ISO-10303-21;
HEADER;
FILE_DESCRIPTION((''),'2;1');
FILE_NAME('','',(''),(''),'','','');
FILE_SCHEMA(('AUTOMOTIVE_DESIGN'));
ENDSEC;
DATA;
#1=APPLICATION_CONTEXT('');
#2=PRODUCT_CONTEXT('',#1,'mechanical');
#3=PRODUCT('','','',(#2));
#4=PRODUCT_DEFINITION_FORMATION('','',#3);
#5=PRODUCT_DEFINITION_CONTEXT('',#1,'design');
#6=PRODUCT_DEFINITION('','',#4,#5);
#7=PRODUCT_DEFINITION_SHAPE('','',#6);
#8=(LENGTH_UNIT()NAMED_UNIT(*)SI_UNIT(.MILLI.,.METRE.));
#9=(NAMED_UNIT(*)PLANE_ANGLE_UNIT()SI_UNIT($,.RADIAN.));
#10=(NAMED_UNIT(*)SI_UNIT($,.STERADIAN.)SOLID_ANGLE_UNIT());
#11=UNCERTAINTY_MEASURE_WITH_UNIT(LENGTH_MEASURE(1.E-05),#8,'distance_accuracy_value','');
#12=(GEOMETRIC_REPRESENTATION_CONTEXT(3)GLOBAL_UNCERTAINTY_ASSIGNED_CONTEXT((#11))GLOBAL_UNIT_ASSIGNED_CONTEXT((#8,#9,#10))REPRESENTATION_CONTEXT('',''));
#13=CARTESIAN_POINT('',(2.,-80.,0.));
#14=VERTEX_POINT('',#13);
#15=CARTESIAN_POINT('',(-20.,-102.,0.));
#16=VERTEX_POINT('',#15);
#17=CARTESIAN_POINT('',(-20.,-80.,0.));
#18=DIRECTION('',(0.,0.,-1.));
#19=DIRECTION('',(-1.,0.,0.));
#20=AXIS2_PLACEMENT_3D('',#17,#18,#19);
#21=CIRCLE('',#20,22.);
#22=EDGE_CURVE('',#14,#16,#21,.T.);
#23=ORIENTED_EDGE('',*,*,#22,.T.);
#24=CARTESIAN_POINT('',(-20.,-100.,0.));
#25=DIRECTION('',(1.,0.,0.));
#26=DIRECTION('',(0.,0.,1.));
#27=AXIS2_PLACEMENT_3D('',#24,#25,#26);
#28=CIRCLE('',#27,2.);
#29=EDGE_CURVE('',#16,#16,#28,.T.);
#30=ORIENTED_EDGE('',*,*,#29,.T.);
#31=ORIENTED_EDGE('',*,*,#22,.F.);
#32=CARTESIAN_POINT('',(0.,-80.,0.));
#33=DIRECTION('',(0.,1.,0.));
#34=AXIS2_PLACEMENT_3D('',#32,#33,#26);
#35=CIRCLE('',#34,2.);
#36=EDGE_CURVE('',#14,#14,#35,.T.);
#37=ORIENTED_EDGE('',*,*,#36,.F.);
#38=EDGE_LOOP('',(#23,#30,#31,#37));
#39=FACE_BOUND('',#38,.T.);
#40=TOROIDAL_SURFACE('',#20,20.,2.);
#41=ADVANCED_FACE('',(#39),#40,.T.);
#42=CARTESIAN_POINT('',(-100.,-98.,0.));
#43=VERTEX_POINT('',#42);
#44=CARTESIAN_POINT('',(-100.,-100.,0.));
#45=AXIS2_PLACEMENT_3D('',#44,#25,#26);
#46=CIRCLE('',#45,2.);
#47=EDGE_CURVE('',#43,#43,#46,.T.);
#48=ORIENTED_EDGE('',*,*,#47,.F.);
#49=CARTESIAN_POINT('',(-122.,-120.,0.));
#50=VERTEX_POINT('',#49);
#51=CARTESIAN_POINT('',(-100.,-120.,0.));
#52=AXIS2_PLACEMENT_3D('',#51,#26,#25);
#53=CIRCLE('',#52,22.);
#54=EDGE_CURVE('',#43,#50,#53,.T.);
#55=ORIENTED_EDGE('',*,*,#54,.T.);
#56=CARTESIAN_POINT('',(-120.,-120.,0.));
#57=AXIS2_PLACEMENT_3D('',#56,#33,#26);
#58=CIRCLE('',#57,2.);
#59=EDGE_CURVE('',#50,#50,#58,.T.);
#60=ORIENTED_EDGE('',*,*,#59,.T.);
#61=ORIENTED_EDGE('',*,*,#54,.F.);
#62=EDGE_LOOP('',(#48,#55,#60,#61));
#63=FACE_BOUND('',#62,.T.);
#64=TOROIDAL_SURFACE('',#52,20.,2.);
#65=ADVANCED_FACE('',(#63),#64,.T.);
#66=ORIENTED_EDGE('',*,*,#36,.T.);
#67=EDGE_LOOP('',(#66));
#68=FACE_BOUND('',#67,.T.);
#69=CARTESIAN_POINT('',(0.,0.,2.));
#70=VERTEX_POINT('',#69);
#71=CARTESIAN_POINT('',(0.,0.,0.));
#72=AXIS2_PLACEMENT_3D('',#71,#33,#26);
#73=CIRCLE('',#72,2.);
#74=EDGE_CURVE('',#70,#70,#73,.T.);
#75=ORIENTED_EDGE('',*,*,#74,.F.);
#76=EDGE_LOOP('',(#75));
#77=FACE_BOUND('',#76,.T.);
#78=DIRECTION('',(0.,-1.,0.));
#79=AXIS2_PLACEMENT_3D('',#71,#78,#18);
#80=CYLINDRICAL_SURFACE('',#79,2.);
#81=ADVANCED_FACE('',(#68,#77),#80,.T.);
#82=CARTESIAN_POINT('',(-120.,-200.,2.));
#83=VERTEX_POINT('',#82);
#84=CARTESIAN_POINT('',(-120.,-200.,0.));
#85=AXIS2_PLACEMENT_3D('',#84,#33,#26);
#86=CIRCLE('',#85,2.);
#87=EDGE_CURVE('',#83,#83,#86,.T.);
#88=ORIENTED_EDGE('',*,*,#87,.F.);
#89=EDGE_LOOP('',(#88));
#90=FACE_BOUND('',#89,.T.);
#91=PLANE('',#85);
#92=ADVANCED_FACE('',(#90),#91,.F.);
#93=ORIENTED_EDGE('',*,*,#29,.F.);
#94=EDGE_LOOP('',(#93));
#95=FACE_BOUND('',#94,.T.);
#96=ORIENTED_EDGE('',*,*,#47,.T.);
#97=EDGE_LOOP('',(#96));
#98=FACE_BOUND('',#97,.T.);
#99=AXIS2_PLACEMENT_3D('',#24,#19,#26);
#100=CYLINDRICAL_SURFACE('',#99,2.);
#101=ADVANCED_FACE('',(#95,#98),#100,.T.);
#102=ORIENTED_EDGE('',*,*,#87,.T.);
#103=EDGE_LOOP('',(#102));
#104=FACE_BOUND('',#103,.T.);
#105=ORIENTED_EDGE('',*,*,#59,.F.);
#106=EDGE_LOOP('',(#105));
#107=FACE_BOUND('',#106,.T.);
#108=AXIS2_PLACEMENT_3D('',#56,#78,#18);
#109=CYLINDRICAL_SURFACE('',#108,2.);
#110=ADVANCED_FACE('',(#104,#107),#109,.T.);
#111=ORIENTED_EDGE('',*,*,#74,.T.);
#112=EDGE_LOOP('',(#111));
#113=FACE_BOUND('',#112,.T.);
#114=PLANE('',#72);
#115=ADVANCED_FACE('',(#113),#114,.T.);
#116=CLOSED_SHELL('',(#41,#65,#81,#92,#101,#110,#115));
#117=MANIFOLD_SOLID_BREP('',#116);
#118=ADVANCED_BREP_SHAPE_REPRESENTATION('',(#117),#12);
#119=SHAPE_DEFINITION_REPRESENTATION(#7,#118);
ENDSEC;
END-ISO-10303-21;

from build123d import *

# Parameters (mm, degrees)
SKETCH2_R = 2


with BuildPart() as part:
    # Sweep1: sweep along a path in Sketch1
    with BuildLine(Plane(origin=(0, 0, 0), x_dir=(1, 0, 0), z_dir=(0, 0, -1))) as sweep1_path:
        Line((0, 0), (0, 80))
        ThreePointArc((0, 80), (-5.857864376, 94.142135624), (-20, 100))
        Line((-20, 100), (-100, 100))
        ThreePointArc((-100, 100), (-114.142135624, 105.857864376), (-120, 120))
        Line((-120, 120), (-120, 200))
    # Sketch2 → Sweep1 (sweep)
    with BuildSketch(Plane(origin=(0, 0, 0), x_dir=(1, 0, 0), z_dir=(0, 1, 0))):
        Circle(SKETCH2_R)
    sweep(path=sweep1_path.line)


solid = part.part
